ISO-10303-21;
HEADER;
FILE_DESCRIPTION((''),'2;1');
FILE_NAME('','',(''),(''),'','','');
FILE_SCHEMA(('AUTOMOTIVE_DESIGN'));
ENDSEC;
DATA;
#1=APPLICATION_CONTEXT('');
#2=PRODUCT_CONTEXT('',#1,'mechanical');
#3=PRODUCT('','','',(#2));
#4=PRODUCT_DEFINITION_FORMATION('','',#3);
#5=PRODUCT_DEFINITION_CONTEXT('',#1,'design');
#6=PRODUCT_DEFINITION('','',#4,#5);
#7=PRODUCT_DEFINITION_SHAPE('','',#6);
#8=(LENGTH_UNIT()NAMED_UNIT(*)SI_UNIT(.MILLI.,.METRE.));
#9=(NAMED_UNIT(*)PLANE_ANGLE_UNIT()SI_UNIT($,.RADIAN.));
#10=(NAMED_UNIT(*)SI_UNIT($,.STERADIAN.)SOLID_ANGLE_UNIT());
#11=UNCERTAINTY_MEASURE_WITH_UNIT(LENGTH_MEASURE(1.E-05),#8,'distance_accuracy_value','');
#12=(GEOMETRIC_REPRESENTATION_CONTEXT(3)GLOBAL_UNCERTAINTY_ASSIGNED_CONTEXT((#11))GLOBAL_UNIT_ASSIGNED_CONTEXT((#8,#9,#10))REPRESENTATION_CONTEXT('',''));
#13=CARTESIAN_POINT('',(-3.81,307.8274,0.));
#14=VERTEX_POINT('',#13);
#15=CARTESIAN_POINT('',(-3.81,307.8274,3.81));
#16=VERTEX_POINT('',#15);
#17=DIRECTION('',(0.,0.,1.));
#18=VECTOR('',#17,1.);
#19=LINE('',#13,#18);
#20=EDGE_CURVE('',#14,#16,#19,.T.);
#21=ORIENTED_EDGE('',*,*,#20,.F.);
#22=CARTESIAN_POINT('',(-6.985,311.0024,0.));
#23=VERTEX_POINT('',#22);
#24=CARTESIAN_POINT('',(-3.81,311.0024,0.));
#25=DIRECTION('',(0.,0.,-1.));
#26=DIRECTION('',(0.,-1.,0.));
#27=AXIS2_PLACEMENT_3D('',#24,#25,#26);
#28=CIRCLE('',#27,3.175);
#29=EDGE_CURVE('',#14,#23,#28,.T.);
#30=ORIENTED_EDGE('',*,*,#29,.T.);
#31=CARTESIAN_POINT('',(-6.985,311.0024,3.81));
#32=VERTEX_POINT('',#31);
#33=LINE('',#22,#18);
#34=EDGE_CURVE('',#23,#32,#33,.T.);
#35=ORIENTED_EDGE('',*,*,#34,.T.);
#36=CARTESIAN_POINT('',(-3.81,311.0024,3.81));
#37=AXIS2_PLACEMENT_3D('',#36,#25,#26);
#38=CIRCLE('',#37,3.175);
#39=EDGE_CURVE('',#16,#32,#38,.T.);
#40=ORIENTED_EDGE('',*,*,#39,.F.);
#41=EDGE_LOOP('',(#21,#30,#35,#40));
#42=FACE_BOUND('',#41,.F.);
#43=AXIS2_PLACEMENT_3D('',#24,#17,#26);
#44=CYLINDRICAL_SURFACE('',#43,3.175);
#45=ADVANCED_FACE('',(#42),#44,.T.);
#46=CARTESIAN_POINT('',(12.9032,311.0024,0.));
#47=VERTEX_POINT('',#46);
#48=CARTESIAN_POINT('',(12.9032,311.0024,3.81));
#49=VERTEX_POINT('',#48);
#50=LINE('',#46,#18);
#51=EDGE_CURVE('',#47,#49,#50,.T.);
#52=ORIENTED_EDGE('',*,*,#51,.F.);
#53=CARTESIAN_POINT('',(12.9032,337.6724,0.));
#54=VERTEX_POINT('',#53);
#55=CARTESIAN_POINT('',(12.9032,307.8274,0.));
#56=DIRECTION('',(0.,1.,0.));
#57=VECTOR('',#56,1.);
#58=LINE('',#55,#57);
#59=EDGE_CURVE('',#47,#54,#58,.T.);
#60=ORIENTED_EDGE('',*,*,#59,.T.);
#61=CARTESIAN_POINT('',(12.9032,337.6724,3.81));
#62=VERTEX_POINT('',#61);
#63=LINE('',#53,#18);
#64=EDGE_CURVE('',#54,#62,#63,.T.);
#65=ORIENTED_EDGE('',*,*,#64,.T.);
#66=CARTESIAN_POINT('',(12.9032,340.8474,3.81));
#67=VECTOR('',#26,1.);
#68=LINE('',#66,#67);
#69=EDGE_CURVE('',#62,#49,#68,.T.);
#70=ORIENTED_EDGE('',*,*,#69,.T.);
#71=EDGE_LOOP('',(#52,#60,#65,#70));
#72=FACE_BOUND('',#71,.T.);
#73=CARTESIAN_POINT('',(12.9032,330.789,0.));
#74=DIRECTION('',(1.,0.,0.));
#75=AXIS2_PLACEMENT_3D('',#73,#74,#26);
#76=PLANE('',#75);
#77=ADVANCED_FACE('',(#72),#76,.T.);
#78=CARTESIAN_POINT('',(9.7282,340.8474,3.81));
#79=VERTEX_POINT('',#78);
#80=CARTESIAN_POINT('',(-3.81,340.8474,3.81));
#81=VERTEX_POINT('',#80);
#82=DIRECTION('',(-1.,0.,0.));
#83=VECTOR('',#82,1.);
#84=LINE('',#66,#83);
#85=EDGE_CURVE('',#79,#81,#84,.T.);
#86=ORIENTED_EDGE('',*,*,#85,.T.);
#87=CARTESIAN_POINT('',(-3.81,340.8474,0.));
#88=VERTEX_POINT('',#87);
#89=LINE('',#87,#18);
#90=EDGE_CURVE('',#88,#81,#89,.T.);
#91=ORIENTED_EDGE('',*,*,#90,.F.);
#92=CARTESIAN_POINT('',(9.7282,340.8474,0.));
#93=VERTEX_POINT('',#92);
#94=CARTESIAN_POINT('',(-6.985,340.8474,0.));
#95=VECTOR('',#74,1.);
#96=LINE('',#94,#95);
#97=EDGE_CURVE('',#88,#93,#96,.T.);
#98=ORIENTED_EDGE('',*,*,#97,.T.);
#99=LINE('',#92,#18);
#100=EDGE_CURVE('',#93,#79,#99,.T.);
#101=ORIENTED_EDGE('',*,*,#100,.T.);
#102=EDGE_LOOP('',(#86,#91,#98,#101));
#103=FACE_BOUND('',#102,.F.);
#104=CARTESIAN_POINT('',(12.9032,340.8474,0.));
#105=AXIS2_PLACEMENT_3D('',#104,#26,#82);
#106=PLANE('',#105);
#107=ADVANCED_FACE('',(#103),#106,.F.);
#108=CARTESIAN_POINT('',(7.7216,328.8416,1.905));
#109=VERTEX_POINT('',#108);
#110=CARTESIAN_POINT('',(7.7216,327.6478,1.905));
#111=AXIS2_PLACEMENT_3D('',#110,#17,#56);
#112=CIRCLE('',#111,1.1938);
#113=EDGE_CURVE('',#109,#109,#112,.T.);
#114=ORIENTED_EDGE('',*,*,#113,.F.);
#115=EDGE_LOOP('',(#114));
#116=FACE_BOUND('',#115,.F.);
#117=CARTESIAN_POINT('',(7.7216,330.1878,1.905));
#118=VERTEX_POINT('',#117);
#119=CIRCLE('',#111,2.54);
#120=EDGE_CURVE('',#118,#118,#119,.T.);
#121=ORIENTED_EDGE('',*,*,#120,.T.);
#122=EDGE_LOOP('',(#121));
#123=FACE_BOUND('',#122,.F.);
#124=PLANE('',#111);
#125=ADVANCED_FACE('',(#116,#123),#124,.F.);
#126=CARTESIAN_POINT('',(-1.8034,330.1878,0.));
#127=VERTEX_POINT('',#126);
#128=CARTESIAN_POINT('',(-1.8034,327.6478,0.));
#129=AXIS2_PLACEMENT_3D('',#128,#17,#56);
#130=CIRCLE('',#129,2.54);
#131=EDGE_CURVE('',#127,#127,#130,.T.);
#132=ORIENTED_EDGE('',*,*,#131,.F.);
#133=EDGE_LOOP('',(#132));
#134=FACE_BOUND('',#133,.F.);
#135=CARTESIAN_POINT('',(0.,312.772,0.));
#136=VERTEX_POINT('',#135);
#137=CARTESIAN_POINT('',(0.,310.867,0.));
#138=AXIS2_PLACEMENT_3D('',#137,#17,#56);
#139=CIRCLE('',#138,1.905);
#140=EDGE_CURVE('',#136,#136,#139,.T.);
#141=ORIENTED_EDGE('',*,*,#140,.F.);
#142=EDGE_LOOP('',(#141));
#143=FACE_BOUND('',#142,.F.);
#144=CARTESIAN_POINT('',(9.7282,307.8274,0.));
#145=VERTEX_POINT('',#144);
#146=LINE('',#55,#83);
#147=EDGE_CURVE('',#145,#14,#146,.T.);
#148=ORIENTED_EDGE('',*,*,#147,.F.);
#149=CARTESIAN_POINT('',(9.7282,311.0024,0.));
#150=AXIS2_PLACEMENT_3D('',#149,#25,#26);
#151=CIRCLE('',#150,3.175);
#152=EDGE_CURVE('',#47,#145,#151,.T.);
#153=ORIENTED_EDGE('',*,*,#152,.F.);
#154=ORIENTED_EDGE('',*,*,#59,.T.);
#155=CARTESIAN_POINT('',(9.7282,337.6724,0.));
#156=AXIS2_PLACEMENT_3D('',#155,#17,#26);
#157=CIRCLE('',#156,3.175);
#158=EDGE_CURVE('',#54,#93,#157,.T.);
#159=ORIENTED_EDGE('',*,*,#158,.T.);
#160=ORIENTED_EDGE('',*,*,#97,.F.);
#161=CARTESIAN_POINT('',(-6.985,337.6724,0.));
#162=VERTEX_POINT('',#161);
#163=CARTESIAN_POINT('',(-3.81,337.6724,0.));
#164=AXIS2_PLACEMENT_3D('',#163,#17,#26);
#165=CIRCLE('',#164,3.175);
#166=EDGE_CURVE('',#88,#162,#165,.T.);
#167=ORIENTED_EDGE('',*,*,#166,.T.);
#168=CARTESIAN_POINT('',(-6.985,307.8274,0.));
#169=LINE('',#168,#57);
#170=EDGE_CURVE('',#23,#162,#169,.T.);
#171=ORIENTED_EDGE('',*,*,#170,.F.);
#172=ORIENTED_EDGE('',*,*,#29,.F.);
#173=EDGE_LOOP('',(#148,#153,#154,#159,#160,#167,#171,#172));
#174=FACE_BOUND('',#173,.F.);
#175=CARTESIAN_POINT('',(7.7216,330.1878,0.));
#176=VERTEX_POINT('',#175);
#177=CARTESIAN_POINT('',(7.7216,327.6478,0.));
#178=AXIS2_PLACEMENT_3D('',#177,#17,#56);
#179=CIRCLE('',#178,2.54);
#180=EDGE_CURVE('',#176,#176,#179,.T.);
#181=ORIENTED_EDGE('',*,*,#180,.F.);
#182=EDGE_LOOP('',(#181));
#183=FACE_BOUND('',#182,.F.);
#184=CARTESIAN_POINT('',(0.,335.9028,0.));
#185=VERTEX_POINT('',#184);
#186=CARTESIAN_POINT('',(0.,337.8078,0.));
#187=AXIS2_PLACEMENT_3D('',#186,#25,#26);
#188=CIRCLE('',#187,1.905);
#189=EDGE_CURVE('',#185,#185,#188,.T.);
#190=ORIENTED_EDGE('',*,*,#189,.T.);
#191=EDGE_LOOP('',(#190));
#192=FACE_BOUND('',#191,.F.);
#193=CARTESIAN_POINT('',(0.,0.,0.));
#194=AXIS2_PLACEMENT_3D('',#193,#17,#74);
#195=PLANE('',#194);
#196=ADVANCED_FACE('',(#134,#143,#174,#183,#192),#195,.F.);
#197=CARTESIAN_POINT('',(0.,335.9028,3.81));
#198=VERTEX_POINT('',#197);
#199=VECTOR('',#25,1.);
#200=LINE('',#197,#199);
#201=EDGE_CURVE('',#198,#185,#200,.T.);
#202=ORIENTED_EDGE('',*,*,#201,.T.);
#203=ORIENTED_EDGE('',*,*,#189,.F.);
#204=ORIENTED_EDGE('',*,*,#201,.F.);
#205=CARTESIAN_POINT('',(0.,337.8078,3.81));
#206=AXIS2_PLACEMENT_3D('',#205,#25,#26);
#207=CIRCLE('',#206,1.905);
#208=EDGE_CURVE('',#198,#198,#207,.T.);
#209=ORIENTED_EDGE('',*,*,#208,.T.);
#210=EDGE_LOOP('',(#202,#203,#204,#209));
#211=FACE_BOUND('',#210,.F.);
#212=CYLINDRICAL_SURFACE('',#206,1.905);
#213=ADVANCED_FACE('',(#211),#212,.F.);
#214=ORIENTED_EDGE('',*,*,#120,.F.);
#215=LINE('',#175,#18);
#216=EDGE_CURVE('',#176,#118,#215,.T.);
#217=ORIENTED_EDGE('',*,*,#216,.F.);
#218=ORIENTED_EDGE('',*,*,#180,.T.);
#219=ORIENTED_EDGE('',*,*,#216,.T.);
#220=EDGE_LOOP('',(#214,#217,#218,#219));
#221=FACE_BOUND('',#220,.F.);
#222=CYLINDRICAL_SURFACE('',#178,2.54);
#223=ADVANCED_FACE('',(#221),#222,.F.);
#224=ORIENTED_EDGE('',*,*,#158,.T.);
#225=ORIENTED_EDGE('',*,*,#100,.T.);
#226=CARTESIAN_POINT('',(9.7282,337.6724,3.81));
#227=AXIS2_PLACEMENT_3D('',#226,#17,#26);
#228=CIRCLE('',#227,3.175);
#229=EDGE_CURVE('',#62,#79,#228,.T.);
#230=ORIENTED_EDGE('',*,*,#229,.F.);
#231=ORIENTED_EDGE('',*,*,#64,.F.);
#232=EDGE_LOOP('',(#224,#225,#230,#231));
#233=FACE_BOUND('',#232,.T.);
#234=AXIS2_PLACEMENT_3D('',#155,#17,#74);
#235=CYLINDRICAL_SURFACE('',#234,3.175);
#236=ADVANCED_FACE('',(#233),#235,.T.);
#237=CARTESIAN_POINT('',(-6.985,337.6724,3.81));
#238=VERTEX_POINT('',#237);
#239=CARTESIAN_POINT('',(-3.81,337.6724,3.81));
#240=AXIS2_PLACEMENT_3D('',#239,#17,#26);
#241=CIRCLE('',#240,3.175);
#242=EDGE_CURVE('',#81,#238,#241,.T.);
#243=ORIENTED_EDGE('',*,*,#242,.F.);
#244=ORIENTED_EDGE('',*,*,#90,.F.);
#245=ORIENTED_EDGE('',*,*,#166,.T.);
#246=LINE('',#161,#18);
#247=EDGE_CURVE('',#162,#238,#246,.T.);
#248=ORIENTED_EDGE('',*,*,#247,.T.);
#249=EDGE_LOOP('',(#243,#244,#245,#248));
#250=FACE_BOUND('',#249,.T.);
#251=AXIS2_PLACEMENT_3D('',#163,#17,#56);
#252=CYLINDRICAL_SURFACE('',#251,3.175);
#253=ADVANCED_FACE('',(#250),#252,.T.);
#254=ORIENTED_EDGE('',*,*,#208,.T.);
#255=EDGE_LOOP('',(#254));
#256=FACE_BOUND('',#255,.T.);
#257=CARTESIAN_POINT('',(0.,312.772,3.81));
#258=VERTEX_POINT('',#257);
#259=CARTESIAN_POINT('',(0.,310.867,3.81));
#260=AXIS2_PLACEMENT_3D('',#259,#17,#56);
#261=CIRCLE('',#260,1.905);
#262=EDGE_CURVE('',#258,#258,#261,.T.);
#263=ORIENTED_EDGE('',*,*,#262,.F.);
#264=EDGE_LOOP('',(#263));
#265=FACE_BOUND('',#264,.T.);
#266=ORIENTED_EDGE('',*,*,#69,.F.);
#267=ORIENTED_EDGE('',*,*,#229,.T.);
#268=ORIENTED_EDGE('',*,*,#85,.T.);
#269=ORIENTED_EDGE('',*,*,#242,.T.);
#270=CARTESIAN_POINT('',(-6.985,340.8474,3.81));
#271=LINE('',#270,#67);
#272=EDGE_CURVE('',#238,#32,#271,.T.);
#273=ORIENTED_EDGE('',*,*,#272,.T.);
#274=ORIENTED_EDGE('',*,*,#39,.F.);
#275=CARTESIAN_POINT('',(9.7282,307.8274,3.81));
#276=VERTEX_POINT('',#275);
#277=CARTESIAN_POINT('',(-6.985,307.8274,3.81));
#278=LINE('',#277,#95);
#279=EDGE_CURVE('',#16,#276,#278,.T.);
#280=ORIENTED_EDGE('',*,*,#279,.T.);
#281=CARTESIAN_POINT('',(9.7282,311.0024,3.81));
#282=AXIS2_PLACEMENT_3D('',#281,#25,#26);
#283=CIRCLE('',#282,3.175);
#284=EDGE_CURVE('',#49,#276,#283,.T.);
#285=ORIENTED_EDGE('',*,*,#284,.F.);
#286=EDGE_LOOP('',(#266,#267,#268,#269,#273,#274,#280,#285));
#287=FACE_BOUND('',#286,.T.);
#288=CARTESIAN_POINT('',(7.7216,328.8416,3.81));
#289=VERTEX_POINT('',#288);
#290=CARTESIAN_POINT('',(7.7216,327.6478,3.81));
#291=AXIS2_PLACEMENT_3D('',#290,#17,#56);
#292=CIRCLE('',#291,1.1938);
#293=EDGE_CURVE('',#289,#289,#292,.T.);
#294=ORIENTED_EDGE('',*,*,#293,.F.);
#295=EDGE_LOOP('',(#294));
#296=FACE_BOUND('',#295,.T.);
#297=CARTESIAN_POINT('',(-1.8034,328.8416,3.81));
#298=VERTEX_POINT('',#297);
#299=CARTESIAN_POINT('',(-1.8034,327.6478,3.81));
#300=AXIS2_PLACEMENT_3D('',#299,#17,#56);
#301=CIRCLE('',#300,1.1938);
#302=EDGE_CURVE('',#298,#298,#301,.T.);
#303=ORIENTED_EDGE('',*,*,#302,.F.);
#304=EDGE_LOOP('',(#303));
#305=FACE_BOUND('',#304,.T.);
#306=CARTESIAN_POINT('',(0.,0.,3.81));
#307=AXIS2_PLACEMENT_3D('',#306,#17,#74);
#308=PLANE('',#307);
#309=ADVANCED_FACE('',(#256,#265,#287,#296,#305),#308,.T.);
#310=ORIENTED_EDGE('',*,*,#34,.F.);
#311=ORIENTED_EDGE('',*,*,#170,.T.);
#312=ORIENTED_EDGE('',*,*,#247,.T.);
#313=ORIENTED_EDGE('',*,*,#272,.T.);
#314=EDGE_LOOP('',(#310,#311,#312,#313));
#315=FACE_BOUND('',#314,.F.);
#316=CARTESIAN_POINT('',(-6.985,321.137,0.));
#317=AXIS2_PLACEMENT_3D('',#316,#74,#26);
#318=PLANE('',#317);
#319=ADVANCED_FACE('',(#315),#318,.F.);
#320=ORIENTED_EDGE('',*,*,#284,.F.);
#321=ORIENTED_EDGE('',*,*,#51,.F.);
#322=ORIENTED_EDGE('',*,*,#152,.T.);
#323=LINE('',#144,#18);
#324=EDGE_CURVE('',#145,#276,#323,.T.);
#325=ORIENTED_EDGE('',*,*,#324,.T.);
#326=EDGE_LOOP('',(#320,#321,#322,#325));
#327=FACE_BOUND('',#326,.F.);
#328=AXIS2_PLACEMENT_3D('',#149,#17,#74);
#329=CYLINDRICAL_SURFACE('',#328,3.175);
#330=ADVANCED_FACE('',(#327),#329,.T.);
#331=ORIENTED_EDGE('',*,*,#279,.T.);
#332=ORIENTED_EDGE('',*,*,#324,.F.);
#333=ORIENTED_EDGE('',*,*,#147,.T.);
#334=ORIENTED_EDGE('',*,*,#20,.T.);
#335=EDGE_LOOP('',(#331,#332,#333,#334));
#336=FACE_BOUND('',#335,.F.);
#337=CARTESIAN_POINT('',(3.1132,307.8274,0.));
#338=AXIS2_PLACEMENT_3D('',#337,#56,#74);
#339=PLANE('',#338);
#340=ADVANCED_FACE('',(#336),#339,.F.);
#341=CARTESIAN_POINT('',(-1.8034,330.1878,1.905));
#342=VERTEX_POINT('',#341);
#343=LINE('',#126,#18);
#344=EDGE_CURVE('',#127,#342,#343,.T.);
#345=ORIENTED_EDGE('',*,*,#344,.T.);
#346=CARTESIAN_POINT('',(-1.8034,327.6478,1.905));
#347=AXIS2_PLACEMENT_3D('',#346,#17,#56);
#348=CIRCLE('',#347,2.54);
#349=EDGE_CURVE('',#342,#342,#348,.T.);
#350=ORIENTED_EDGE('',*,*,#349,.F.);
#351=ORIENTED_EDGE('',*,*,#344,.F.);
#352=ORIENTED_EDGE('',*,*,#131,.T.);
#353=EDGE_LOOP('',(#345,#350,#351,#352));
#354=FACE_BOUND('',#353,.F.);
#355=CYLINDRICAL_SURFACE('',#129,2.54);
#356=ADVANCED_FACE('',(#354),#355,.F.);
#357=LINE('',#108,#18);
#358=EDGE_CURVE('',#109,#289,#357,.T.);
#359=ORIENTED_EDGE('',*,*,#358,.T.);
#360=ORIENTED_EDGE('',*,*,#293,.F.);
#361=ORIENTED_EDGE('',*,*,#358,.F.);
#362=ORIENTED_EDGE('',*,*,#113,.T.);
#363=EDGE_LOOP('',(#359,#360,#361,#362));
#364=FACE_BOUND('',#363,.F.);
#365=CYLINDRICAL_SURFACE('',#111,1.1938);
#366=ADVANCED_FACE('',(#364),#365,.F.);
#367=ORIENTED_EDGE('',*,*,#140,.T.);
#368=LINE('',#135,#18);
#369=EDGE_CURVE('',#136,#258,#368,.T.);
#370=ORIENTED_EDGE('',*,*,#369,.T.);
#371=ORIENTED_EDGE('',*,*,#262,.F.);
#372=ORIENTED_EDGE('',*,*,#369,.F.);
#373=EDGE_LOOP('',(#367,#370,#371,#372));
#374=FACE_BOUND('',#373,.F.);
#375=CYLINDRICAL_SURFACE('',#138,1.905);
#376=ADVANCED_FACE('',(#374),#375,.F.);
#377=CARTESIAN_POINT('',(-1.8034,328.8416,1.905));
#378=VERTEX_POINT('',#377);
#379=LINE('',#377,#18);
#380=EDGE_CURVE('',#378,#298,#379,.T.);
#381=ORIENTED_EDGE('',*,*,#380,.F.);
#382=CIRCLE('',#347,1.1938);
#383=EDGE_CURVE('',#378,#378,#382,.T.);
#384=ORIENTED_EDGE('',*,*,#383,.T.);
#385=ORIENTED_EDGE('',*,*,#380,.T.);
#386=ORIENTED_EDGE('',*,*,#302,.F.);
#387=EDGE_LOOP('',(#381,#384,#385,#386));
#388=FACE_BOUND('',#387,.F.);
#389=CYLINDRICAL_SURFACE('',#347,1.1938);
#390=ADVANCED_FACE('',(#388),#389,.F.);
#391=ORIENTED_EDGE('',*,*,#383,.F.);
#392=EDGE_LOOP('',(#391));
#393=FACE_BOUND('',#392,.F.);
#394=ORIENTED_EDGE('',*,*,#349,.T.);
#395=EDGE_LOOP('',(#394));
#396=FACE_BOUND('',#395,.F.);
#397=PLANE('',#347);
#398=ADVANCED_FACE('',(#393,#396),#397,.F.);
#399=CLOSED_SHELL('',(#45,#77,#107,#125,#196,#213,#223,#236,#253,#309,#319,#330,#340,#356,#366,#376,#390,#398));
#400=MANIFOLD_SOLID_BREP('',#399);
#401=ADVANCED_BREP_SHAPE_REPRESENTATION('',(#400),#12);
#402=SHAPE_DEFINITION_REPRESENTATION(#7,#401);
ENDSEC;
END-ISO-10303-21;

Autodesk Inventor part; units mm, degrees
ref_plane "YZ Plane" through (0, 0, 0) normal (1, 0, 0) x (0, 1, 0)
ref_plane "XZ Plane" through (0, 0, 0) normal (0, 1, 0) x (-1, 0, 0)
ref_plane "Work Plane3" through (0, 0, 0) normal (0, 0, 1) x (1, 0, 0)
sketch "Sketch1" plane through (0, 0, 0) normal (0, 0, 1) x (1, 0, 0)
  line L0 (12.9032, 330.789) -> (12.9032, 321.137) projected
  line L1 (-6.985, 321.137) -> (-6.985, 330.0524) projected
  line L2 (3.1132, 307.8274) -> (-3.1132, 307.8274) projected
  line L3 (3.1132, 340.8474) -> (-3.1132, 340.8474) projected
  line L4 (12.9032, 340.8474) -> (-6.985, 340.8474)
  line L5 (-6.985, 340.8474) -> (-6.985, 307.8274)
  line L6 (-6.985, 307.8274) -> (12.9032, 307.8274)
  line L7 (12.9032, 307.8274) -> (12.9032, 340.8474)
  arc A0 (-1.7468, 337.6651) -> (-1.3298, 338.9494) centre (0, 337.8078) ccw
  arc A1 (-1.7468, 310.7243) -> (-1.3298, 312.0086) centre (0, 310.867) ccw
  circle A2 centre (0, 337.8078) radius 1.778
  point P0 (0, 0)
  dimension "d2" = 3.556
ref_plane "Work Plane2" through (-6.985, 321.137, 5.08) normal (0, 0, -1) x (0, 1, 0)
extrude "Extrusion1" add sketch "Sketch1" along normal blind 3.81 contours L0 L7 L6 L2 L5 L1 L4 L3 | A2
sketch "Sketch3" plane through (-6.985, 340.8474, 3.81) normal (0, 0, 1) x (1, 0, 0)
  circle A0 centre (5.1816, -13.1996) radius 1.1938
  circle A1 centre (14.7066, -13.1996) radius 1.1938
  circle A2 centre (5.1816, -13.1996) radius 1.1938
  circle A3 centre (14.7066, -13.1996) radius 1.1938
  arc A4 (8.2018, -4.301) -> (6.9677, -4.7921) centre (6.985, -3.0396) ccw projected
  arc A5 (8.2018, -31.2417) -> (6.9677, -31.7329) centre (6.985, -29.9804) ccw projected
  circle A6 centre (6.985, -3.0396) radius 1.778
  circle A7 centre (6.985, -29.9804) radius 1.778
  arc A8 (8.2018, -31.2417) -> (6.9677, -31.7329) centre (6.985, -29.9804) ccw
  circle A9 centre (6.985, -29.9804) radius 1.778
  point P0 (6.985, -340.8474)
  dimension "d17" = 3.556
  dimension "d18" = 3.556
  dimension "d26" = 3.556
  dimension "d42" = 7.7216
  dimension "d43" = 1.8034
  dimension "d57" = 10.16
  dimension "d58" = 10.16
sketch "Sketch4" plane through (0, 0, 0) normal (0, 0, -1) x (-1, 0, 0)
  circle A0 centre (1.8034, 323.5691) radius 1.1938 projected
  circle A1 centre (-7.7216, 323.5691) radius 1.1938 projected
  circle A2 centre (1.8034, 323.5691) radius 1.1938
  circle A3 centre (-7.7216, 323.5691) radius 1.1938
  point P0 (0, 0)
sketch "Sketch5" plane through (0, 0, 0) normal (0, 0, -1) x (-1, 0, 0)
  circle A0 centre (-7.7216, 323.5691) radius 1.1938 projected
  circle A1 centre (-7.7216, 323.5691) radius 1.1938 projected
  circle A2 centre (-7.7216, 323.5691) radius 1.1938
  point P0 (0, 0)
hole "Hole3" at (0, 337.8078, 3.81) direction (0, 0, -1) diameter 3.81 end through all
sketch "Sketch6" plane through (0, 0, 0) normal (0, 0, -1) x (-1, 0, 0)
  arc A0 (0.0173, 309.1145) -> (-1.2168, 309.6057) centre (0, 310.867) ccw projected
  circle A1 centre (0, 310.867) radius 1.778
  point P0 (0, 0)
  dimension "d27" = 3.556
hole "Hole4" at (0, 310.867, 0) direction (0, 0, 1) diameter 3.81 end through all
fillet "Fillet5" radius 3.175 4 edges at (12.9032, 307.8274, 1.905) (-6.985, 307.8274, 1.905) (-6.985, 340.8474, 1.905) (12.9032, 340.8474, 1.905)
sketch "Sketch8" plane through (0, 0, 0) normal (0, 0, -1) x (-1, 0, 0)
  circle A0 centre (1.8034, 327.6478) radius 1.1938
  circle A1 centre (-7.7216, 327.6478) radius 1.1938
  circle A2 centre (0, 310.867) radius 1.905 projected
  circle A3 centre (0, 337.8078) radius 1.905 projected
  point P0 (0, 0)
  dimension "d44" = 2.3876
  dimension "d45" = 2.3876
  dimension "d47" = 1.8034
  dimension "d48" = 7.7216
  dimension "d59" = 10.16
  dimension "d60" = 10.16
hole "Hole5" at (-1.8034, 327.6478, 0) at (7.7216, 327.6478, 0) direction (0, 0, 1) diameter 2.3876 end through all counterbore diameter 5.08 counterbore depth 1.905
properties part number "Switch on T nut holder"
